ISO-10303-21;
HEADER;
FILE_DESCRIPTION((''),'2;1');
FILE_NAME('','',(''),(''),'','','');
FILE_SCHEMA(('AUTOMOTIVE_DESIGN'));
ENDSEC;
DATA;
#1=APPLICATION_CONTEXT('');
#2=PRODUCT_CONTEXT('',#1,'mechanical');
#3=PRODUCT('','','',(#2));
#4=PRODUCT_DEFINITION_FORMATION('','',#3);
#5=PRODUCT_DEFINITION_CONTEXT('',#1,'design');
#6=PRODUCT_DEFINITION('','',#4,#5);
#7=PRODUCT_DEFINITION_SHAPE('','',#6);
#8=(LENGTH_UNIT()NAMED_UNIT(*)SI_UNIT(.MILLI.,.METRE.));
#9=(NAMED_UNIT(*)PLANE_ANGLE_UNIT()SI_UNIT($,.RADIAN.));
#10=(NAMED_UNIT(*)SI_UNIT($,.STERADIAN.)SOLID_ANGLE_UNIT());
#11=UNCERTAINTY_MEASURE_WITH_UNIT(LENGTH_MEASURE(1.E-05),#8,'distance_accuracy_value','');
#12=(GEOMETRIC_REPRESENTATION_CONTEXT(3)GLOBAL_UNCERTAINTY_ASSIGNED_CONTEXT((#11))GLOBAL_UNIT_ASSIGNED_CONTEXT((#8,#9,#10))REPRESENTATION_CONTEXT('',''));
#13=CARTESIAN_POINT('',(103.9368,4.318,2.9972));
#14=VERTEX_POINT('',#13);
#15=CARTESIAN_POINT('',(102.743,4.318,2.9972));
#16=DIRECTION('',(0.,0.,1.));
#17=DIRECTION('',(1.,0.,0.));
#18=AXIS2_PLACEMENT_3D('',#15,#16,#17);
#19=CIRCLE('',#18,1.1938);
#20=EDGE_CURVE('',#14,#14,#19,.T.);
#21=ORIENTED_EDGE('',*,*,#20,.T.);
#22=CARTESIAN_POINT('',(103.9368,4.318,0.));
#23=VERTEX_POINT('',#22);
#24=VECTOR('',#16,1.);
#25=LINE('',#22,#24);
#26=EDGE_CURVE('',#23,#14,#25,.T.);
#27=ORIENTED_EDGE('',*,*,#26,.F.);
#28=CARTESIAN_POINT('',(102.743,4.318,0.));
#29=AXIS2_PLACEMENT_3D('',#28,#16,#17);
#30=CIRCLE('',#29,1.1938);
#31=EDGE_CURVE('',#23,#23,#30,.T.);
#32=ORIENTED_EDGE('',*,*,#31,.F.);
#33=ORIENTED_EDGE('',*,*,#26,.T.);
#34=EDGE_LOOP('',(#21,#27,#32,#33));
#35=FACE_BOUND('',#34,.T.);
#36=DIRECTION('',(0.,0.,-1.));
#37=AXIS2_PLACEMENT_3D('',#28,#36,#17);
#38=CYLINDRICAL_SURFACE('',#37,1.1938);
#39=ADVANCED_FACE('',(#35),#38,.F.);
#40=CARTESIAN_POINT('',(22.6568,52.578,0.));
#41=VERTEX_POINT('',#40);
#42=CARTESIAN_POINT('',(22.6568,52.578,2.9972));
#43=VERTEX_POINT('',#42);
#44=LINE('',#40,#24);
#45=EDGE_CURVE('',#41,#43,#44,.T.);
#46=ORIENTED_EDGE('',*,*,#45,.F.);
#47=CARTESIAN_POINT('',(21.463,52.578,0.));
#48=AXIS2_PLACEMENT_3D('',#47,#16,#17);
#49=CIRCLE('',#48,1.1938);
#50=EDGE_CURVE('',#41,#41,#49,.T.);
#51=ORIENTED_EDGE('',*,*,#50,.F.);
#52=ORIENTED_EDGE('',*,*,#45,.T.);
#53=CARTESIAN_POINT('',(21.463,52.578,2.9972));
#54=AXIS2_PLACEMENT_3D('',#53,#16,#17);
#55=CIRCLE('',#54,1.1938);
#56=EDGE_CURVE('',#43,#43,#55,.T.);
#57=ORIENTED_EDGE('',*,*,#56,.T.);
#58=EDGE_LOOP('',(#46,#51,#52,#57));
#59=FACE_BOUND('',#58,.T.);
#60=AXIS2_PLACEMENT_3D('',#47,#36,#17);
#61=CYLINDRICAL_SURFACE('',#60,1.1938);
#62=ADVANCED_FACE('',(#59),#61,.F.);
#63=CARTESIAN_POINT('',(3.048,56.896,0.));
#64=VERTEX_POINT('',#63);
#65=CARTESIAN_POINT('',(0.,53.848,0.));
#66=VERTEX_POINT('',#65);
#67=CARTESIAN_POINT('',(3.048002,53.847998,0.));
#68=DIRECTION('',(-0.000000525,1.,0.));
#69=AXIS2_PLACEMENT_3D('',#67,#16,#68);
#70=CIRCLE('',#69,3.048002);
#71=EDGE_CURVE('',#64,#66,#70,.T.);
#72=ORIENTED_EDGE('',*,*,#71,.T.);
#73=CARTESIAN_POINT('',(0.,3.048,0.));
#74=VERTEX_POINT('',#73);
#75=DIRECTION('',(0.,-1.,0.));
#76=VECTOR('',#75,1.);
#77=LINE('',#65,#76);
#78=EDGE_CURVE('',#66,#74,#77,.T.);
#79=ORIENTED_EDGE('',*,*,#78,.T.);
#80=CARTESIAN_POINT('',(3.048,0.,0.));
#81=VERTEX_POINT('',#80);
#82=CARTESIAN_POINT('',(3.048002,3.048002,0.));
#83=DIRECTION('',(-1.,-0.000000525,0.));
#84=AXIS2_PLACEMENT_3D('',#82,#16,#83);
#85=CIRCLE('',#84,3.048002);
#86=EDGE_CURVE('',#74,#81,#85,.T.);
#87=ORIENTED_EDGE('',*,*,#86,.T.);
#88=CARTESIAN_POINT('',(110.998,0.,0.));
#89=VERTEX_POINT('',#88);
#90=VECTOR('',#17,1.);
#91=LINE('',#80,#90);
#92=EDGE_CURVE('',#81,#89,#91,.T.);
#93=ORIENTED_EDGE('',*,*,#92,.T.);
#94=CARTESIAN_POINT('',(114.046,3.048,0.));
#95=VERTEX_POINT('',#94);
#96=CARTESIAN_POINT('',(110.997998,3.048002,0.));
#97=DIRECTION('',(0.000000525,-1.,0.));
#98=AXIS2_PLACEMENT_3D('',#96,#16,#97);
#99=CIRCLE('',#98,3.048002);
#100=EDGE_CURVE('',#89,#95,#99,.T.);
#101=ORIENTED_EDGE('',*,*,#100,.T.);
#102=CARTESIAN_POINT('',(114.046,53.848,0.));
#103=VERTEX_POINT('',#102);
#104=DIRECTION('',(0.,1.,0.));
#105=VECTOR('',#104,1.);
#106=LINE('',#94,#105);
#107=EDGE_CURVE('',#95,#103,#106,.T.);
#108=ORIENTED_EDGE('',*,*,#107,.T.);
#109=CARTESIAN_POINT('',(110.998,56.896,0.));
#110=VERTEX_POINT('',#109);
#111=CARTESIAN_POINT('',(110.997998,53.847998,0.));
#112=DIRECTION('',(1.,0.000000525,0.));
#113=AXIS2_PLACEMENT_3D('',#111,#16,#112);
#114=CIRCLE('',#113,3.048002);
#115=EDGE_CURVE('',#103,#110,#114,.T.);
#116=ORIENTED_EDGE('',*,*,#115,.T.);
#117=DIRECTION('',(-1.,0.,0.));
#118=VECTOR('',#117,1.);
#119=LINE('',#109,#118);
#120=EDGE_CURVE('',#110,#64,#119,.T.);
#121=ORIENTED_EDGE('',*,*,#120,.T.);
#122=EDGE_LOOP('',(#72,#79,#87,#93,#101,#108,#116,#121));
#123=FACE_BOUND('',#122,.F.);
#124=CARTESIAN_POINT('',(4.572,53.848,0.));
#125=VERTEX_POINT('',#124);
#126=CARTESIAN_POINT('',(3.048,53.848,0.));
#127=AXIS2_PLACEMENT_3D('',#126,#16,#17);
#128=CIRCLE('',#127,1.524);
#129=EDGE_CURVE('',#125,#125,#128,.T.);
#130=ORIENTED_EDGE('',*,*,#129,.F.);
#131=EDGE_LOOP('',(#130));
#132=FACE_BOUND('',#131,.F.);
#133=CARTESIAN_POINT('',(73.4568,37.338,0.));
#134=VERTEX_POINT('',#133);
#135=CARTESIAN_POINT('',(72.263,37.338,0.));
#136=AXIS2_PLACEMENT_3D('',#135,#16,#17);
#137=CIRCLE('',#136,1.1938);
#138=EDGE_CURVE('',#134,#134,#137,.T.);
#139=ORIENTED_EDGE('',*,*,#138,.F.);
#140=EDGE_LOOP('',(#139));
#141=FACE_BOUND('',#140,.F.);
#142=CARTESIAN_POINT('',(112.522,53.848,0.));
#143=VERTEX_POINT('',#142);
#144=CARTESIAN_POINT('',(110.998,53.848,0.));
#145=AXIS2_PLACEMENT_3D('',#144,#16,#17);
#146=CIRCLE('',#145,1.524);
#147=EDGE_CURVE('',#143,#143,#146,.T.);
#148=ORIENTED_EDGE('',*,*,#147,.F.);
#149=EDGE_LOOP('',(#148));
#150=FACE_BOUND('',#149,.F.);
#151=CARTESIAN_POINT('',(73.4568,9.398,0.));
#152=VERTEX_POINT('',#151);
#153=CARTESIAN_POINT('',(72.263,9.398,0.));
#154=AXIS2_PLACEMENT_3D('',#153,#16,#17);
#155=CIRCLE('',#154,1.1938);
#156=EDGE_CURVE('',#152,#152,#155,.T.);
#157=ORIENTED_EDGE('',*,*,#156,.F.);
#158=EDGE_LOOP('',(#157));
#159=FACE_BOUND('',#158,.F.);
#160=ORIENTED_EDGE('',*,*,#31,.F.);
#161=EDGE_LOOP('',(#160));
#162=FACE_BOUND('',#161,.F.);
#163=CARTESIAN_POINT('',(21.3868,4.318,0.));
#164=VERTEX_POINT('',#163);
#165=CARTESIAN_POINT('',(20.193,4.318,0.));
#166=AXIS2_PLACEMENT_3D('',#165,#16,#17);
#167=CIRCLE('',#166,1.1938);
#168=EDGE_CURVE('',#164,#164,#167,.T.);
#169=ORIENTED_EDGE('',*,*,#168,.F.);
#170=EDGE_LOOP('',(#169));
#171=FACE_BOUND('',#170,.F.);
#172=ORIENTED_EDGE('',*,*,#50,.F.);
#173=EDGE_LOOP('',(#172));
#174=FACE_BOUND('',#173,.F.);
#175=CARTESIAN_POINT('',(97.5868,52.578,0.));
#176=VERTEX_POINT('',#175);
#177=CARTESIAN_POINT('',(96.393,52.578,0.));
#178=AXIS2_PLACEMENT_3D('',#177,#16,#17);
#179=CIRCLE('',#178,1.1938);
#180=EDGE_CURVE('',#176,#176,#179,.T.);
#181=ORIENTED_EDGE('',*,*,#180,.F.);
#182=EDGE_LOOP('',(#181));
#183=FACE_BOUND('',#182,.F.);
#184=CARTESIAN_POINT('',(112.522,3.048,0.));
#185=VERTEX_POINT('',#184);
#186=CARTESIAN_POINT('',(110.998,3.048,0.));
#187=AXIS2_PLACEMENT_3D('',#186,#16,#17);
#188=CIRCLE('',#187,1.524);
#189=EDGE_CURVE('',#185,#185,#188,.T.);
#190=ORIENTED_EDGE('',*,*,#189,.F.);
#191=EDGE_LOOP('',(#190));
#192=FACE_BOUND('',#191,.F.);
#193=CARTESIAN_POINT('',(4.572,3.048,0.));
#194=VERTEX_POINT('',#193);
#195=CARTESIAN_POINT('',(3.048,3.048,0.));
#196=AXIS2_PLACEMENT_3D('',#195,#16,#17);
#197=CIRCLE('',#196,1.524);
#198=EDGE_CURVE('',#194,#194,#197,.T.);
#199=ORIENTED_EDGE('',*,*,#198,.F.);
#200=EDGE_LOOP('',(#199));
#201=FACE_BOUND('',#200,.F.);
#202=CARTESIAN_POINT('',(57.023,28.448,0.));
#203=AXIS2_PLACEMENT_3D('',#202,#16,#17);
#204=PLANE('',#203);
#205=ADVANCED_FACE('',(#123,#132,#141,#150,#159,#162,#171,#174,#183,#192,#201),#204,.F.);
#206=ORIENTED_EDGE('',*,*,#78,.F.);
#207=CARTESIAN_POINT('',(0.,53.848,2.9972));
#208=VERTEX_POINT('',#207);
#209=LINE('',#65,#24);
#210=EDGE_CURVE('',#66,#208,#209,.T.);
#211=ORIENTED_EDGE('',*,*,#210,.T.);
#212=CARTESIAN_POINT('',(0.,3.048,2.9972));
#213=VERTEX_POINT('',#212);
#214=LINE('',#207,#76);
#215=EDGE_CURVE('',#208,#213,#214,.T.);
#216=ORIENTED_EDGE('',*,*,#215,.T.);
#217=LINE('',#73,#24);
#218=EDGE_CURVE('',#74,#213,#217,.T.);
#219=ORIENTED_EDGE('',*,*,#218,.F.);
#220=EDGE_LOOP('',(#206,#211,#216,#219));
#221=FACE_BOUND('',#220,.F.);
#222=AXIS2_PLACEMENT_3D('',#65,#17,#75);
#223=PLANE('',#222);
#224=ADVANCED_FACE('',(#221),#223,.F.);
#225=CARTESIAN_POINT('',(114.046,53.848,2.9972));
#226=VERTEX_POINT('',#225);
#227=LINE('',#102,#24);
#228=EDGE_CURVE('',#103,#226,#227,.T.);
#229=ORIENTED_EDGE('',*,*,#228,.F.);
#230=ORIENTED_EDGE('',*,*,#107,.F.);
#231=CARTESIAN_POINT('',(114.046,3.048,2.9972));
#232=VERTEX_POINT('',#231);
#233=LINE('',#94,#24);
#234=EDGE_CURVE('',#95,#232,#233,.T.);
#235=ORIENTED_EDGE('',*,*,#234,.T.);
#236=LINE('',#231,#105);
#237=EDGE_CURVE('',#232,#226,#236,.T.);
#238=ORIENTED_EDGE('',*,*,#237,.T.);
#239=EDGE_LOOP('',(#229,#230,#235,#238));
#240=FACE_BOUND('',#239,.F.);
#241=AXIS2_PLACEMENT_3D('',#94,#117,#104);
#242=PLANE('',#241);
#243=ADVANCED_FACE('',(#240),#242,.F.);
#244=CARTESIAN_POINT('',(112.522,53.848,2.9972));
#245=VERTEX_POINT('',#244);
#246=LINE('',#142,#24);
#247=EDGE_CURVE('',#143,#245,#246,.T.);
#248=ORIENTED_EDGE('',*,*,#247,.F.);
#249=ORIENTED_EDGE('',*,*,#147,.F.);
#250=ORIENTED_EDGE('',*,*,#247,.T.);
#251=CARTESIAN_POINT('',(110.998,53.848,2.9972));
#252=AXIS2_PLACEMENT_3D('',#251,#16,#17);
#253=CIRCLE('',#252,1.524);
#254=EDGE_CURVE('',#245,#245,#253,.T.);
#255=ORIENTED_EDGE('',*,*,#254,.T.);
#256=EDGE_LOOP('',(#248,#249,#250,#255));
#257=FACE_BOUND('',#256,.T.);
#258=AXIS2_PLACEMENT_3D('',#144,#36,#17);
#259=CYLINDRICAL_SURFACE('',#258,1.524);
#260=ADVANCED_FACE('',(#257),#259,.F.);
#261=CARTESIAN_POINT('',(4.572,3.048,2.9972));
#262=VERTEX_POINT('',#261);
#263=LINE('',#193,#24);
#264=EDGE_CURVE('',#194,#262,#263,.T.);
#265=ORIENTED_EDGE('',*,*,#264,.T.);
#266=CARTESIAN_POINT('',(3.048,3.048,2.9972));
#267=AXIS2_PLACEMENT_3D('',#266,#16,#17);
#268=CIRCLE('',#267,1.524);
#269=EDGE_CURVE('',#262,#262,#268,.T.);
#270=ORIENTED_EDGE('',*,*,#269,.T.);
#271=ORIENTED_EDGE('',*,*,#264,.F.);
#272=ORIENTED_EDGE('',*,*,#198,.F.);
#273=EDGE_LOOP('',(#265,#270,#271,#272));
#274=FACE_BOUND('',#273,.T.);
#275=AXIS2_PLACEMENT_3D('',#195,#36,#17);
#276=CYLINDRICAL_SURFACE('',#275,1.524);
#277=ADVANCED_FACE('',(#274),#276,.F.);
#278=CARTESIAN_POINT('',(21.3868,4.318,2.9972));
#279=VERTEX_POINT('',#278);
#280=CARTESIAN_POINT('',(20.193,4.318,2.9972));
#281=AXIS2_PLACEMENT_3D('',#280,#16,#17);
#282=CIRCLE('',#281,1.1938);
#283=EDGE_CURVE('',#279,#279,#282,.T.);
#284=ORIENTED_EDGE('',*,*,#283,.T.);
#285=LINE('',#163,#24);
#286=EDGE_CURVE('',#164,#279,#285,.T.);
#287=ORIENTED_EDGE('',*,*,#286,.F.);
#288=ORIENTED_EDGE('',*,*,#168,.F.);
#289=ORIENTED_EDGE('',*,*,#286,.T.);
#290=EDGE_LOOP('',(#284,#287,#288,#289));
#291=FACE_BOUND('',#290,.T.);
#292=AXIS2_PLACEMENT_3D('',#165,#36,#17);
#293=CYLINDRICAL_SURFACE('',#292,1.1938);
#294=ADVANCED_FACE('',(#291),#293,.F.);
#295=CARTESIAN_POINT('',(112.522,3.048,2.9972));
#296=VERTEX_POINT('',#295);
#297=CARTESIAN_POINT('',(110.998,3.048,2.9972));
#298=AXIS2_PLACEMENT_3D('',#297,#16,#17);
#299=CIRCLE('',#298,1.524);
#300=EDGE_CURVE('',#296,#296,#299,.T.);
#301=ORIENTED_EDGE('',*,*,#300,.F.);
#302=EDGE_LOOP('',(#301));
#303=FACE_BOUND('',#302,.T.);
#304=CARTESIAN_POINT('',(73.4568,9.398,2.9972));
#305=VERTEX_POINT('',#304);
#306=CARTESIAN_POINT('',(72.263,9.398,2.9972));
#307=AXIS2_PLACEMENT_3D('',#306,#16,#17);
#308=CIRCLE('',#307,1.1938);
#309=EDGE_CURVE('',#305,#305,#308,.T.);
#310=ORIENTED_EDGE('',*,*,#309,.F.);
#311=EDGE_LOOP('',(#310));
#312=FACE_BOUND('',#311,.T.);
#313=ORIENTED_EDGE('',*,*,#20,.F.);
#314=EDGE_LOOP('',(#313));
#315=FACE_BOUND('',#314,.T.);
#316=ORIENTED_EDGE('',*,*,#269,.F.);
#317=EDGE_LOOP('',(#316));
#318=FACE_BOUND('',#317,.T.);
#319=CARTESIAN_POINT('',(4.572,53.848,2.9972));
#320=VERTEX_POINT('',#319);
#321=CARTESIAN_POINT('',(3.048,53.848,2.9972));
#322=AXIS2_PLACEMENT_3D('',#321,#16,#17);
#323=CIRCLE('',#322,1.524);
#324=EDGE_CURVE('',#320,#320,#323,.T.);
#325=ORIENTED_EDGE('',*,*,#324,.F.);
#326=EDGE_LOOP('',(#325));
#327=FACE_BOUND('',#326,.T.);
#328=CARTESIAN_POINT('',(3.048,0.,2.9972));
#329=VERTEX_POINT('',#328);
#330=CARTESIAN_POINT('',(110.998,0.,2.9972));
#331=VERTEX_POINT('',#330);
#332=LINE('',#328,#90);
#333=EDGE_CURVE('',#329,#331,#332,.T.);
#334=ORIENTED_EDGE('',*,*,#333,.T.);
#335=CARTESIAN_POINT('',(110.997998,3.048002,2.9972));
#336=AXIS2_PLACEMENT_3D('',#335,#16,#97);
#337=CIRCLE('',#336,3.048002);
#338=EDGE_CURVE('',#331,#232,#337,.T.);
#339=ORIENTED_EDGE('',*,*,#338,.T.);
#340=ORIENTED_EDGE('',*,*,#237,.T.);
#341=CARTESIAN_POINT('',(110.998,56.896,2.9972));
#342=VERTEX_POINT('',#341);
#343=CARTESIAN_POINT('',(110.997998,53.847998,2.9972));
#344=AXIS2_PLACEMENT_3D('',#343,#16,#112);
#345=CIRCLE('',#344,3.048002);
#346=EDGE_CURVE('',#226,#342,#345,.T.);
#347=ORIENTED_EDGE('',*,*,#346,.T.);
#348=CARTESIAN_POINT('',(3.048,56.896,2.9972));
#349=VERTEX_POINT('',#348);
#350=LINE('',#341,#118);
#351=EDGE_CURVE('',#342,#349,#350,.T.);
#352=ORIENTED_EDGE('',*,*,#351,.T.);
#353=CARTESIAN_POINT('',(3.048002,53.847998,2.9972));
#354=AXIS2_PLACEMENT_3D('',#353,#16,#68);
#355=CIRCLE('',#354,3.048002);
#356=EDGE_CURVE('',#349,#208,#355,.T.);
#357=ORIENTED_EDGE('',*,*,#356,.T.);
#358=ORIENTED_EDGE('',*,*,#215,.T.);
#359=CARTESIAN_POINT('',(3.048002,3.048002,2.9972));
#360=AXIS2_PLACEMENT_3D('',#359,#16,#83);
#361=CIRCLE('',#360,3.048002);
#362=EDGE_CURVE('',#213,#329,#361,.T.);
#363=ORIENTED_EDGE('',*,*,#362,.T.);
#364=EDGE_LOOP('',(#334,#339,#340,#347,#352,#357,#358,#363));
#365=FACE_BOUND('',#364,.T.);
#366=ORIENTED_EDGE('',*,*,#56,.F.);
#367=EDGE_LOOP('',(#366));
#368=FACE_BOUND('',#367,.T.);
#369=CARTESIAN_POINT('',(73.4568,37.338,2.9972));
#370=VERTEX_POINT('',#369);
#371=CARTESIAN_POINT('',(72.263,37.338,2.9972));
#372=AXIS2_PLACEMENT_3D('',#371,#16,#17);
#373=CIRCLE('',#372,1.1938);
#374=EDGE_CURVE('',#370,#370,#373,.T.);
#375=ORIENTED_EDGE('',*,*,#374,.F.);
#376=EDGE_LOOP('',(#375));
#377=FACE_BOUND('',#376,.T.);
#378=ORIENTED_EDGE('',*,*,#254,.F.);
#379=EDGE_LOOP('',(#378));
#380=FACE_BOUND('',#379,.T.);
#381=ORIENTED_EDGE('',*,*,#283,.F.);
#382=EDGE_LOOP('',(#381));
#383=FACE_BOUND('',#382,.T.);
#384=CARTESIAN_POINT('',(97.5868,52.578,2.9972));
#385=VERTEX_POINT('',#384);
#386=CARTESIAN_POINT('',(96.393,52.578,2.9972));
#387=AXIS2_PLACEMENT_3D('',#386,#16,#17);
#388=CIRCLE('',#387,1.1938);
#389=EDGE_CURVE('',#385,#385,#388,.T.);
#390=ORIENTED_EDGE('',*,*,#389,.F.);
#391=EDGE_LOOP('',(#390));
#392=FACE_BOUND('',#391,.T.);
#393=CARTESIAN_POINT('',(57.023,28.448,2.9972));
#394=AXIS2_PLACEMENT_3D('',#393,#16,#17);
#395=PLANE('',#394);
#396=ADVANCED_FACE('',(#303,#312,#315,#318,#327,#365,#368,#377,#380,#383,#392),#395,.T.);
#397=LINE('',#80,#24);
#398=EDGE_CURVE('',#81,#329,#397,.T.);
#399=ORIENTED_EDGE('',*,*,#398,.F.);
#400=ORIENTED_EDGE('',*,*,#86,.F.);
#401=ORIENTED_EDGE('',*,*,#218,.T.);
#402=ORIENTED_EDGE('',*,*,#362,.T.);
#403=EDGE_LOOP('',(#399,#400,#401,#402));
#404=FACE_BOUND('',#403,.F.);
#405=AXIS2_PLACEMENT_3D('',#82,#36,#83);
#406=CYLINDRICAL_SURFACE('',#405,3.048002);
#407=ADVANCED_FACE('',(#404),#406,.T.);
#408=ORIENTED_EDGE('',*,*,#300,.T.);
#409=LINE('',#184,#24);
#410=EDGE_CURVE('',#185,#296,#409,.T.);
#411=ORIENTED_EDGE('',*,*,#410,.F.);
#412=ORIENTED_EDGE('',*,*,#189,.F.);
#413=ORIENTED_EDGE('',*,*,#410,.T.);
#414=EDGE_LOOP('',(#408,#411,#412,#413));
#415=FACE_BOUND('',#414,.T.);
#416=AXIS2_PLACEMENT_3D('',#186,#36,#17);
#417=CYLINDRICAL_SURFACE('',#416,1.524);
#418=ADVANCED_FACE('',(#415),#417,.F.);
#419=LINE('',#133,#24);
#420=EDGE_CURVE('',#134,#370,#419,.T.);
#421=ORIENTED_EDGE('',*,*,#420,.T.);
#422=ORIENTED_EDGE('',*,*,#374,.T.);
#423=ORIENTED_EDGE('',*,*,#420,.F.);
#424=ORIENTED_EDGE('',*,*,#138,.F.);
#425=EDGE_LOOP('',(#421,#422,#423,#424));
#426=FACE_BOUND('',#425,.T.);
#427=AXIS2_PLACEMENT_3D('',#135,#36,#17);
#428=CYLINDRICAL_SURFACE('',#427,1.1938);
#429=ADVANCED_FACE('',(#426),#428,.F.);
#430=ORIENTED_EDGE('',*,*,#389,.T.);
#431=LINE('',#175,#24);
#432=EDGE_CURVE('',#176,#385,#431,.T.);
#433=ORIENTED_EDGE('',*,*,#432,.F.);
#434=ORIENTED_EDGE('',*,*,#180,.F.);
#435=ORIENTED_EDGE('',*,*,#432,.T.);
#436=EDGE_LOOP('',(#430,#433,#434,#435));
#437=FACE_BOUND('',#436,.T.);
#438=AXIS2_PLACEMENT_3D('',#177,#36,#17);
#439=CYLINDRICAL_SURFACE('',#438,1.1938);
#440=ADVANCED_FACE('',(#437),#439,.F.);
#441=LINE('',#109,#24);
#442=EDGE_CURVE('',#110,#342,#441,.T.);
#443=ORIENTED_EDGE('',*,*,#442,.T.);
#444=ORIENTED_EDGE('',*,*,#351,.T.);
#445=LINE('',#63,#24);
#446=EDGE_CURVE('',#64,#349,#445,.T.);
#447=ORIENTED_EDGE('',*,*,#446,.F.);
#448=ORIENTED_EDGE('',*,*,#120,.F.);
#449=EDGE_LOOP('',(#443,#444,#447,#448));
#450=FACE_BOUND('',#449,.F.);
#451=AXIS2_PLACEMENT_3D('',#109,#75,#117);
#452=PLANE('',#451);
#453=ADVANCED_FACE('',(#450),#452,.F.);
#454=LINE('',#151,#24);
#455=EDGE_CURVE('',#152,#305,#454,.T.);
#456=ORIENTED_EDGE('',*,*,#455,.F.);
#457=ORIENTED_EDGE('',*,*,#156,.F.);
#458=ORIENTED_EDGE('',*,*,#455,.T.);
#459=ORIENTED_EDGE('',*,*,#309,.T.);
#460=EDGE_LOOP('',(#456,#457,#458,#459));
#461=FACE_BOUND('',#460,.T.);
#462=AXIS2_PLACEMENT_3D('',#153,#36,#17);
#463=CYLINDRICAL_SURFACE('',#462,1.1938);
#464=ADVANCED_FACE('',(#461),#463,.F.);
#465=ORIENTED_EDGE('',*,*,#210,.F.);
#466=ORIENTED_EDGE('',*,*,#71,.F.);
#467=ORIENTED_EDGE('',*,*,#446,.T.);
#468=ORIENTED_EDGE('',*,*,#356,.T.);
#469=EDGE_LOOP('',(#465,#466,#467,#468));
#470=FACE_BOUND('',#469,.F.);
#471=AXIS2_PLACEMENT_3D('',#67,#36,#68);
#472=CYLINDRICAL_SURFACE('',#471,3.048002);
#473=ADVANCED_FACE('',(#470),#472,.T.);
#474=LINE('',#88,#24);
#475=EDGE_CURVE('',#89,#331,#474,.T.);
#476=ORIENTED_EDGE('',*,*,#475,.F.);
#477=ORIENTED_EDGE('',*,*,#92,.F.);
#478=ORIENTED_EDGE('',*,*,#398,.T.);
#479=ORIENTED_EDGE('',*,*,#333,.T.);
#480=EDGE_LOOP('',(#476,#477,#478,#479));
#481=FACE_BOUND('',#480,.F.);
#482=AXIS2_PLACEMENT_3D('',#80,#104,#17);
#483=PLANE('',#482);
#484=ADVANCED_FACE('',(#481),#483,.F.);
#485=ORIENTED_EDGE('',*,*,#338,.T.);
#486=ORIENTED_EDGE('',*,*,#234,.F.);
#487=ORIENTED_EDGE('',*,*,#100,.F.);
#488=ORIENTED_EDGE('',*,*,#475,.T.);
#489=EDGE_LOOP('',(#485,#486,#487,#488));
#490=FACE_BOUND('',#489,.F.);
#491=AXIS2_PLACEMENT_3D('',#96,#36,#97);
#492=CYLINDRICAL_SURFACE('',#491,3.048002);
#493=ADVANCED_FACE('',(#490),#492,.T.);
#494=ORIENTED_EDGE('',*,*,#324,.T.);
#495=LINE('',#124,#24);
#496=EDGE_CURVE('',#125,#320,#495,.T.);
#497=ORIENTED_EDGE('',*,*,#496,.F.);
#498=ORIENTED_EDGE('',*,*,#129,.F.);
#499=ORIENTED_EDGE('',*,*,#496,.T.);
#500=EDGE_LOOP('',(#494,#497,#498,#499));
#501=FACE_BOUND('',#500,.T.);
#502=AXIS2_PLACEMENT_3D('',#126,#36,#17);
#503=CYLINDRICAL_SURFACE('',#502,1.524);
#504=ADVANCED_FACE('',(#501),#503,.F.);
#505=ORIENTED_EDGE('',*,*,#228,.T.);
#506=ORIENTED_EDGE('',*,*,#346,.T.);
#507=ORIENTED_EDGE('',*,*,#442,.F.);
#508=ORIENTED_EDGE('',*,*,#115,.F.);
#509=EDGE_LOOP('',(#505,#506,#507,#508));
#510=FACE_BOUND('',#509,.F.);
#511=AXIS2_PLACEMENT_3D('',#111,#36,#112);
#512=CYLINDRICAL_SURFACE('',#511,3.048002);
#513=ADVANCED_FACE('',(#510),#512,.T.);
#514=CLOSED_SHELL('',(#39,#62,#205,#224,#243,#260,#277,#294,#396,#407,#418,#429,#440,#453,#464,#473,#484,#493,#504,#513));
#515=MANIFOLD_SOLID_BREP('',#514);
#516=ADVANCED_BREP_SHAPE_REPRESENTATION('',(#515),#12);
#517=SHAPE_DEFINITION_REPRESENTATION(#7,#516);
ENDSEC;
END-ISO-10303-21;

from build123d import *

# Parameters (mm, degrees)
F0_R     = 1.524
F0_R_2   = 1.1938
F1_DEPTH = 2.9972


with BuildPart() as f1:
    # F0 (on Top) → F1 (new body)
    with BuildSketch(Plane.XY):
        with BuildLine():
            ThreePointArc((0, 3.048), (0.892739, 0.892739), (3.048, 0))
            Line((3.048, 0), (110.998, 0))
            ThreePointArc((110.998, 0), (113.153261, 0.892739), (114.046, 3.048))
            Line((114.046, 3.048), (114.046, 53.848))
            ThreePointArc((114.046, 53.848), (113.153261, 56.003261), (110.998, 56.896))
            Line((110.998, 56.896), (3.048, 56.896))
            ThreePointArc((3.048, 56.896), (0.892739, 56.003261), (0, 53.848))
            Line((0, 53.848), (0, 3.048))
        make_face()
        with Locations((3.048, 3.048)):
            Circle(F0_R, mode=Mode.SUBTRACT)
        with Locations((20.193, 4.318)):
            Circle(F0_R_2, mode=Mode.SUBTRACT)
        with Locations((72.263, 9.398)):
            Circle(F0_R_2, mode=Mode.SUBTRACT)
        with Locations((110.998, 3.048)):
            Circle(F0_R, mode=Mode.SUBTRACT)
        with Locations((102.743, 4.318)):
            Circle(F0_R_2, mode=Mode.SUBTRACT)
        with Locations((3.048, 53.848)):
            Circle(F0_R, mode=Mode.SUBTRACT)
        with Locations((21.463, 52.578)):
            Circle(F0_R_2, mode=Mode.SUBTRACT)
        with Locations((72.263, 37.338)):
            Circle(F0_R_2, mode=Mode.SUBTRACT)
        with Locations((96.393, 52.578)):
            Circle(F0_R_2, mode=Mode.SUBTRACT)
        with Locations((110.998, 53.848)):
            Circle(F0_R, mode=Mode.SUBTRACT)
    extrude(amount=F1_DEPTH)


solid = f1.part
